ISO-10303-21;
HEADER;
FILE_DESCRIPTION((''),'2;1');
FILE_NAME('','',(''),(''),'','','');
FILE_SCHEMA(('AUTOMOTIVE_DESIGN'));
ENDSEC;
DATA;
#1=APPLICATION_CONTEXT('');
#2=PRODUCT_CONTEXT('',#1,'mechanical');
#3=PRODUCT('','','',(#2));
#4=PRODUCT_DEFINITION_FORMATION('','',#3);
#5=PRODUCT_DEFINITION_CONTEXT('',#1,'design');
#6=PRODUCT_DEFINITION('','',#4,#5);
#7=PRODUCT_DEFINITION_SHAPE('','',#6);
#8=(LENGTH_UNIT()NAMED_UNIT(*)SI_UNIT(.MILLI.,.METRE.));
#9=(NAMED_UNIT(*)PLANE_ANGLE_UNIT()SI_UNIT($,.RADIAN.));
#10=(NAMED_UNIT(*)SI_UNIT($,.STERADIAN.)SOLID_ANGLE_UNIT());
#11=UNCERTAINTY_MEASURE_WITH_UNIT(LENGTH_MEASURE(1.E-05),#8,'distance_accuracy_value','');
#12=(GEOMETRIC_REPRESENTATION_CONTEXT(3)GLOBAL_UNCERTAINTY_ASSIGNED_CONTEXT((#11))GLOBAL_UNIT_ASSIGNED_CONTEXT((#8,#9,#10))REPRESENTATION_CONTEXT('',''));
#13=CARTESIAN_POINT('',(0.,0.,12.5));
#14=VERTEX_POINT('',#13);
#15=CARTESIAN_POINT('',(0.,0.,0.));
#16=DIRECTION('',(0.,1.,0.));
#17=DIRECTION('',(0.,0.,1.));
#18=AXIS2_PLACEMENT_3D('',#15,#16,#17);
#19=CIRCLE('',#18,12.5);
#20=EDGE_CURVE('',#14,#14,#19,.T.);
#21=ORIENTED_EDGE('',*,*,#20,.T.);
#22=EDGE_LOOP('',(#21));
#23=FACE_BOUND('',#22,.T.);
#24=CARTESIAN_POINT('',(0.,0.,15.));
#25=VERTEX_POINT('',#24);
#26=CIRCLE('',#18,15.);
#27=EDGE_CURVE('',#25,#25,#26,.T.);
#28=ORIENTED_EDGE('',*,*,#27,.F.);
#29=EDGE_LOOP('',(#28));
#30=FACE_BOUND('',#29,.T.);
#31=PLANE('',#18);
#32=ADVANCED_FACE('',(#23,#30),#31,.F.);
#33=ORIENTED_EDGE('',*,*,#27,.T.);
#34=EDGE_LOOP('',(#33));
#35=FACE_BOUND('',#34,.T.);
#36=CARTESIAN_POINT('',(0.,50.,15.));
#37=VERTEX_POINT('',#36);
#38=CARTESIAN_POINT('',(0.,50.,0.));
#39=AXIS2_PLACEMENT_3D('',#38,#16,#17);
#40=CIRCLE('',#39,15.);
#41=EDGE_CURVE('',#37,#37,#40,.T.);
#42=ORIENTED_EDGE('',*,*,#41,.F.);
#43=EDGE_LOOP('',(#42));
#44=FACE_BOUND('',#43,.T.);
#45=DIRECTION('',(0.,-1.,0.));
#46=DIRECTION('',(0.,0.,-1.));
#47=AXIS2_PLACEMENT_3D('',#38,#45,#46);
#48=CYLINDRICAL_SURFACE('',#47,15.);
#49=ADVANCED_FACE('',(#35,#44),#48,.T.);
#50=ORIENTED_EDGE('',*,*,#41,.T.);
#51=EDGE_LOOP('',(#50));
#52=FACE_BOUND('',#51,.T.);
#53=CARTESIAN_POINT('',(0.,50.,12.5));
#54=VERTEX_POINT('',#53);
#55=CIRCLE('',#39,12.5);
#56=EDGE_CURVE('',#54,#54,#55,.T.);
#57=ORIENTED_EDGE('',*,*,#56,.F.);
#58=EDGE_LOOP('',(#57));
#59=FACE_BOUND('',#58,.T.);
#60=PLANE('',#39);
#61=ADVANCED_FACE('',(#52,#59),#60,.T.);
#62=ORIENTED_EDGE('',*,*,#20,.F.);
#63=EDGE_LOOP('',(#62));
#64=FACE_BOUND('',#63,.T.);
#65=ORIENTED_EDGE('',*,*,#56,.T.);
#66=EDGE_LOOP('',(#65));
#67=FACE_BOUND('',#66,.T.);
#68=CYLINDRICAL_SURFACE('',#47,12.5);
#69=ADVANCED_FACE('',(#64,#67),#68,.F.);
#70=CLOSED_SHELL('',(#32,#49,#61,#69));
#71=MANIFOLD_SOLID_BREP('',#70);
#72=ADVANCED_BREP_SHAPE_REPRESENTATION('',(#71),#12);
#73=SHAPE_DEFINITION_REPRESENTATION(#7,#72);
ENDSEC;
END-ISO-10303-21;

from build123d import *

# Parameters (mm, degrees)
SKETCH_1_R      = 15
SKETCH_1_R_2    = 12.5
EXTRUDE_1_DEPTH = 50


with BuildPart() as part:
    # Эскиз1 → Вытянуть1 (new body)
    with BuildSketch(Plane(origin=(0, 0, 0), x_dir=(1, 0, 0), z_dir=(0, 1, 0))):
        with Locations(Location((0, 0, 0), (0, 0, 270))):
            Circle(SKETCH_1_R)
        with Locations(Location((0, 0, 0), (0, 0, 270))):
            Circle(SKETCH_1_R_2, mode=Mode.SUBTRACT)
    extrude(amount=EXTRUDE_1_DEPTH)


solid = part.part
